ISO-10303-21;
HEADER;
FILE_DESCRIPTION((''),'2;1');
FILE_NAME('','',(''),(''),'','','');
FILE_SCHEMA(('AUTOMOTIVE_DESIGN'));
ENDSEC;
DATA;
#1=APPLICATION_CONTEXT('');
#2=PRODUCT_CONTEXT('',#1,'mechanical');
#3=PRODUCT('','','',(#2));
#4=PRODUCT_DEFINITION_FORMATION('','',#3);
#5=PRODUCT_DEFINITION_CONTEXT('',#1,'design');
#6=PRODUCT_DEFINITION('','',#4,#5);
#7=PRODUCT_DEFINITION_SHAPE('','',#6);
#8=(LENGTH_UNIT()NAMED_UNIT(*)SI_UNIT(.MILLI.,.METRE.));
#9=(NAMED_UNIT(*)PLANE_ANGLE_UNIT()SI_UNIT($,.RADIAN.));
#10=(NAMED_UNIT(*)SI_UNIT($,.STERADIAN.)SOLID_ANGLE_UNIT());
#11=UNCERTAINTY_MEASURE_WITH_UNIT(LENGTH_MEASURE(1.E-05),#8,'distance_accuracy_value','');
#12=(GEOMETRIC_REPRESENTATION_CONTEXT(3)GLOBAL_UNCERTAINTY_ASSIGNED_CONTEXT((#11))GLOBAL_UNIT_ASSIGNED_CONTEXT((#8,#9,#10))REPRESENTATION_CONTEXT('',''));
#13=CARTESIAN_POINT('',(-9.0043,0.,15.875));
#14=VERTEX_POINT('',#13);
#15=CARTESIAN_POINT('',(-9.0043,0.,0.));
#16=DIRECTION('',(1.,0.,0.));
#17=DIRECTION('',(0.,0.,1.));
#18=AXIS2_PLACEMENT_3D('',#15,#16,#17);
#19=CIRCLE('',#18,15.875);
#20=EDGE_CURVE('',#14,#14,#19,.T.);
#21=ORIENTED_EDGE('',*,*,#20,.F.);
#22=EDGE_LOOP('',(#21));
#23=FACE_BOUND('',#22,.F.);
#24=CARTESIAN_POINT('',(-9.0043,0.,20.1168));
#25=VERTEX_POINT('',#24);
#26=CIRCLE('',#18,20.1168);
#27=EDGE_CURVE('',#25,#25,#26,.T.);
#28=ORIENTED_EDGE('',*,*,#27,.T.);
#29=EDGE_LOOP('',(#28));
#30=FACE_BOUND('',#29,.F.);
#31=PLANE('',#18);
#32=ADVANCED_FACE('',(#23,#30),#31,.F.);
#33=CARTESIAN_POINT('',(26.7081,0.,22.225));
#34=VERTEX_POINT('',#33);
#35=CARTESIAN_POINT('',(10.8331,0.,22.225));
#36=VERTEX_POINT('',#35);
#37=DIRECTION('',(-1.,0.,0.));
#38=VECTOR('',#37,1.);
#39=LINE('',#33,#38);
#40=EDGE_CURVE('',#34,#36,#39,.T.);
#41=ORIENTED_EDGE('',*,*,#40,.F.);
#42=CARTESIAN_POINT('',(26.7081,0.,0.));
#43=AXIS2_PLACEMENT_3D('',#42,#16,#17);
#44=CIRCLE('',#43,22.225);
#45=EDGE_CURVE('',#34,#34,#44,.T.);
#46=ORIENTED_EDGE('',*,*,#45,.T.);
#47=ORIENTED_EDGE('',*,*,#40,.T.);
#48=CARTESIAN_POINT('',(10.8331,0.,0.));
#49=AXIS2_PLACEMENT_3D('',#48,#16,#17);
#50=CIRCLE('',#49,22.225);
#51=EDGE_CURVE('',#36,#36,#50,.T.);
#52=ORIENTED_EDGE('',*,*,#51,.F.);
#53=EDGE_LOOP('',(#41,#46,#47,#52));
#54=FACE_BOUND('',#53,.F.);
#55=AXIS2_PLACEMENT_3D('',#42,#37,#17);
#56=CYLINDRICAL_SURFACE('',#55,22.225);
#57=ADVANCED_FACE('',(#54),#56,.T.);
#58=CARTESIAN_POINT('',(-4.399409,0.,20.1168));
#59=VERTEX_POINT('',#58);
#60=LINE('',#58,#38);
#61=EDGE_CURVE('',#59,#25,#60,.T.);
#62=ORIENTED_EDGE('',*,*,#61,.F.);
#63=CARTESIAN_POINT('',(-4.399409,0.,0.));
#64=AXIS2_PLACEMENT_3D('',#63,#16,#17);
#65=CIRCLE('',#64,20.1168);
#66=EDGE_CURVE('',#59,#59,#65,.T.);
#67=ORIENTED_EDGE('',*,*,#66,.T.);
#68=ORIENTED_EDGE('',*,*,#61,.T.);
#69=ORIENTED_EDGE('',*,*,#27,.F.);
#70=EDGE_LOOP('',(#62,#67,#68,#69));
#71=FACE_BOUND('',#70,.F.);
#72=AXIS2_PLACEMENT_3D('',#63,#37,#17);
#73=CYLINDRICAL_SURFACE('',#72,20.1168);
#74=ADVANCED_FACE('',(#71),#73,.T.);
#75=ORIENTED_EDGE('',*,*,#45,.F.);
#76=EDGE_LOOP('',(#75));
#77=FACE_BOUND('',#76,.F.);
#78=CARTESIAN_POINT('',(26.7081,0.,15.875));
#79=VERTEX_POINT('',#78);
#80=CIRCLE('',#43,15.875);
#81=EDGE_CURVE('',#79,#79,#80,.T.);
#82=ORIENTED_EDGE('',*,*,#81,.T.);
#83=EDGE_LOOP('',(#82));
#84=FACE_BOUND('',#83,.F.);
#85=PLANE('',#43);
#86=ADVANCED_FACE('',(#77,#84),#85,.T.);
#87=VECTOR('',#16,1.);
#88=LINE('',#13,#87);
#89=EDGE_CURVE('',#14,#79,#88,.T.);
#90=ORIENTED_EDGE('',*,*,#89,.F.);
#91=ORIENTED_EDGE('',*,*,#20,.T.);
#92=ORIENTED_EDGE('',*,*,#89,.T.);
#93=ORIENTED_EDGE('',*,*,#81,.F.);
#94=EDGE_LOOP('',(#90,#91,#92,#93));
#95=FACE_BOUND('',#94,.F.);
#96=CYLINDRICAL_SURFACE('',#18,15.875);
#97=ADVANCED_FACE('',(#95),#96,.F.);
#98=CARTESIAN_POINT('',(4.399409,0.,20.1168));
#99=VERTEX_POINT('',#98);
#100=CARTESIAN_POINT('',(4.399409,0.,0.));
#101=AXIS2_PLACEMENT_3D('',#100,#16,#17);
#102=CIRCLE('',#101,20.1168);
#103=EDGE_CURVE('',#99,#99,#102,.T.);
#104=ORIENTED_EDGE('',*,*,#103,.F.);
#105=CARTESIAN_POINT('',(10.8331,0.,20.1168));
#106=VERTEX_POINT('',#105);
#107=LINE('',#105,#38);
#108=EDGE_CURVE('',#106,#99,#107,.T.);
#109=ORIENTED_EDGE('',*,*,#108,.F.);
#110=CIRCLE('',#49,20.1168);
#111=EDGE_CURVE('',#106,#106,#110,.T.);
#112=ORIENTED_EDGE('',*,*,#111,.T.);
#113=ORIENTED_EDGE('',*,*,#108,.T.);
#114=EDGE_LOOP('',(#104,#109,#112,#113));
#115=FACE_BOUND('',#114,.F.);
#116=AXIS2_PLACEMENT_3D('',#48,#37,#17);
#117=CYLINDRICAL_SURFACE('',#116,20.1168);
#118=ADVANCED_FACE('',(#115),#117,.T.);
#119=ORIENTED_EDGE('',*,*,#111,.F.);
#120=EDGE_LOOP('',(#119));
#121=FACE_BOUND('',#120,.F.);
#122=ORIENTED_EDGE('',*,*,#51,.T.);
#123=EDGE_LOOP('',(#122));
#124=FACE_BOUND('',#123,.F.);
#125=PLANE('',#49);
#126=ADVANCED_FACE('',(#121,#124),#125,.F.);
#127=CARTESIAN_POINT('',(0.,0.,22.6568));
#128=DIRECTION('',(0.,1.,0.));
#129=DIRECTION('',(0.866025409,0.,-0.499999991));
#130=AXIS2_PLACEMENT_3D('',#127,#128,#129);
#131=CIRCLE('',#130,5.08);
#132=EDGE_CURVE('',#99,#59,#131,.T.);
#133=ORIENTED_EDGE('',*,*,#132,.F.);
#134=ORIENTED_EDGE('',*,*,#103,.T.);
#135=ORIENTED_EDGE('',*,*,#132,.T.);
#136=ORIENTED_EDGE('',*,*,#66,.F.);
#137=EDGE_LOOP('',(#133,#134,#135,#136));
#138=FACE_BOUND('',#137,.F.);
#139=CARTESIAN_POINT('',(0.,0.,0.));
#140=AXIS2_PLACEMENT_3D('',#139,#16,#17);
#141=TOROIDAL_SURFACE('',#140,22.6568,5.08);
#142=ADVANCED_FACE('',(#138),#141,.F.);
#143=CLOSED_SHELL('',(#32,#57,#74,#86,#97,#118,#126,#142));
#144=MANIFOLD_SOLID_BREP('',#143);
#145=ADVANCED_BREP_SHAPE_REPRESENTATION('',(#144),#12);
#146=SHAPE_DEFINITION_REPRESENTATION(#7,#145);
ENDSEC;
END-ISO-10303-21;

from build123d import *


with BuildPart() as f1:
    # F0 (on Front) → F1 (revolve)
    with BuildSketch(Plane.XZ):
        with BuildLine():
            Line((10.8331, 22.225), (10.8331, 20.1168))
            Line((10.8331, 20.1168), (4.399409, 20.1168))
            ThreePointArc((4.399409, 20.1168), (0, 17.5768), (-4.399409, 20.1168))
            Line((-4.399409, 20.1168), (-9.0043, 20.1168))
            Line((-9.0043, 20.1168), (-9.0043, 15.875))
            Line((-9.0043, 15.875), (26.7081, 15.875))
            Line((26.7081, 15.875), (26.7081, 22.225))
            Line((26.7081, 22.225), (10.8331, 22.225))
        make_face()
    revolve(axis=Axis((5.41655, 0, 0), (1, 0, 0)))


solid = f1.part
